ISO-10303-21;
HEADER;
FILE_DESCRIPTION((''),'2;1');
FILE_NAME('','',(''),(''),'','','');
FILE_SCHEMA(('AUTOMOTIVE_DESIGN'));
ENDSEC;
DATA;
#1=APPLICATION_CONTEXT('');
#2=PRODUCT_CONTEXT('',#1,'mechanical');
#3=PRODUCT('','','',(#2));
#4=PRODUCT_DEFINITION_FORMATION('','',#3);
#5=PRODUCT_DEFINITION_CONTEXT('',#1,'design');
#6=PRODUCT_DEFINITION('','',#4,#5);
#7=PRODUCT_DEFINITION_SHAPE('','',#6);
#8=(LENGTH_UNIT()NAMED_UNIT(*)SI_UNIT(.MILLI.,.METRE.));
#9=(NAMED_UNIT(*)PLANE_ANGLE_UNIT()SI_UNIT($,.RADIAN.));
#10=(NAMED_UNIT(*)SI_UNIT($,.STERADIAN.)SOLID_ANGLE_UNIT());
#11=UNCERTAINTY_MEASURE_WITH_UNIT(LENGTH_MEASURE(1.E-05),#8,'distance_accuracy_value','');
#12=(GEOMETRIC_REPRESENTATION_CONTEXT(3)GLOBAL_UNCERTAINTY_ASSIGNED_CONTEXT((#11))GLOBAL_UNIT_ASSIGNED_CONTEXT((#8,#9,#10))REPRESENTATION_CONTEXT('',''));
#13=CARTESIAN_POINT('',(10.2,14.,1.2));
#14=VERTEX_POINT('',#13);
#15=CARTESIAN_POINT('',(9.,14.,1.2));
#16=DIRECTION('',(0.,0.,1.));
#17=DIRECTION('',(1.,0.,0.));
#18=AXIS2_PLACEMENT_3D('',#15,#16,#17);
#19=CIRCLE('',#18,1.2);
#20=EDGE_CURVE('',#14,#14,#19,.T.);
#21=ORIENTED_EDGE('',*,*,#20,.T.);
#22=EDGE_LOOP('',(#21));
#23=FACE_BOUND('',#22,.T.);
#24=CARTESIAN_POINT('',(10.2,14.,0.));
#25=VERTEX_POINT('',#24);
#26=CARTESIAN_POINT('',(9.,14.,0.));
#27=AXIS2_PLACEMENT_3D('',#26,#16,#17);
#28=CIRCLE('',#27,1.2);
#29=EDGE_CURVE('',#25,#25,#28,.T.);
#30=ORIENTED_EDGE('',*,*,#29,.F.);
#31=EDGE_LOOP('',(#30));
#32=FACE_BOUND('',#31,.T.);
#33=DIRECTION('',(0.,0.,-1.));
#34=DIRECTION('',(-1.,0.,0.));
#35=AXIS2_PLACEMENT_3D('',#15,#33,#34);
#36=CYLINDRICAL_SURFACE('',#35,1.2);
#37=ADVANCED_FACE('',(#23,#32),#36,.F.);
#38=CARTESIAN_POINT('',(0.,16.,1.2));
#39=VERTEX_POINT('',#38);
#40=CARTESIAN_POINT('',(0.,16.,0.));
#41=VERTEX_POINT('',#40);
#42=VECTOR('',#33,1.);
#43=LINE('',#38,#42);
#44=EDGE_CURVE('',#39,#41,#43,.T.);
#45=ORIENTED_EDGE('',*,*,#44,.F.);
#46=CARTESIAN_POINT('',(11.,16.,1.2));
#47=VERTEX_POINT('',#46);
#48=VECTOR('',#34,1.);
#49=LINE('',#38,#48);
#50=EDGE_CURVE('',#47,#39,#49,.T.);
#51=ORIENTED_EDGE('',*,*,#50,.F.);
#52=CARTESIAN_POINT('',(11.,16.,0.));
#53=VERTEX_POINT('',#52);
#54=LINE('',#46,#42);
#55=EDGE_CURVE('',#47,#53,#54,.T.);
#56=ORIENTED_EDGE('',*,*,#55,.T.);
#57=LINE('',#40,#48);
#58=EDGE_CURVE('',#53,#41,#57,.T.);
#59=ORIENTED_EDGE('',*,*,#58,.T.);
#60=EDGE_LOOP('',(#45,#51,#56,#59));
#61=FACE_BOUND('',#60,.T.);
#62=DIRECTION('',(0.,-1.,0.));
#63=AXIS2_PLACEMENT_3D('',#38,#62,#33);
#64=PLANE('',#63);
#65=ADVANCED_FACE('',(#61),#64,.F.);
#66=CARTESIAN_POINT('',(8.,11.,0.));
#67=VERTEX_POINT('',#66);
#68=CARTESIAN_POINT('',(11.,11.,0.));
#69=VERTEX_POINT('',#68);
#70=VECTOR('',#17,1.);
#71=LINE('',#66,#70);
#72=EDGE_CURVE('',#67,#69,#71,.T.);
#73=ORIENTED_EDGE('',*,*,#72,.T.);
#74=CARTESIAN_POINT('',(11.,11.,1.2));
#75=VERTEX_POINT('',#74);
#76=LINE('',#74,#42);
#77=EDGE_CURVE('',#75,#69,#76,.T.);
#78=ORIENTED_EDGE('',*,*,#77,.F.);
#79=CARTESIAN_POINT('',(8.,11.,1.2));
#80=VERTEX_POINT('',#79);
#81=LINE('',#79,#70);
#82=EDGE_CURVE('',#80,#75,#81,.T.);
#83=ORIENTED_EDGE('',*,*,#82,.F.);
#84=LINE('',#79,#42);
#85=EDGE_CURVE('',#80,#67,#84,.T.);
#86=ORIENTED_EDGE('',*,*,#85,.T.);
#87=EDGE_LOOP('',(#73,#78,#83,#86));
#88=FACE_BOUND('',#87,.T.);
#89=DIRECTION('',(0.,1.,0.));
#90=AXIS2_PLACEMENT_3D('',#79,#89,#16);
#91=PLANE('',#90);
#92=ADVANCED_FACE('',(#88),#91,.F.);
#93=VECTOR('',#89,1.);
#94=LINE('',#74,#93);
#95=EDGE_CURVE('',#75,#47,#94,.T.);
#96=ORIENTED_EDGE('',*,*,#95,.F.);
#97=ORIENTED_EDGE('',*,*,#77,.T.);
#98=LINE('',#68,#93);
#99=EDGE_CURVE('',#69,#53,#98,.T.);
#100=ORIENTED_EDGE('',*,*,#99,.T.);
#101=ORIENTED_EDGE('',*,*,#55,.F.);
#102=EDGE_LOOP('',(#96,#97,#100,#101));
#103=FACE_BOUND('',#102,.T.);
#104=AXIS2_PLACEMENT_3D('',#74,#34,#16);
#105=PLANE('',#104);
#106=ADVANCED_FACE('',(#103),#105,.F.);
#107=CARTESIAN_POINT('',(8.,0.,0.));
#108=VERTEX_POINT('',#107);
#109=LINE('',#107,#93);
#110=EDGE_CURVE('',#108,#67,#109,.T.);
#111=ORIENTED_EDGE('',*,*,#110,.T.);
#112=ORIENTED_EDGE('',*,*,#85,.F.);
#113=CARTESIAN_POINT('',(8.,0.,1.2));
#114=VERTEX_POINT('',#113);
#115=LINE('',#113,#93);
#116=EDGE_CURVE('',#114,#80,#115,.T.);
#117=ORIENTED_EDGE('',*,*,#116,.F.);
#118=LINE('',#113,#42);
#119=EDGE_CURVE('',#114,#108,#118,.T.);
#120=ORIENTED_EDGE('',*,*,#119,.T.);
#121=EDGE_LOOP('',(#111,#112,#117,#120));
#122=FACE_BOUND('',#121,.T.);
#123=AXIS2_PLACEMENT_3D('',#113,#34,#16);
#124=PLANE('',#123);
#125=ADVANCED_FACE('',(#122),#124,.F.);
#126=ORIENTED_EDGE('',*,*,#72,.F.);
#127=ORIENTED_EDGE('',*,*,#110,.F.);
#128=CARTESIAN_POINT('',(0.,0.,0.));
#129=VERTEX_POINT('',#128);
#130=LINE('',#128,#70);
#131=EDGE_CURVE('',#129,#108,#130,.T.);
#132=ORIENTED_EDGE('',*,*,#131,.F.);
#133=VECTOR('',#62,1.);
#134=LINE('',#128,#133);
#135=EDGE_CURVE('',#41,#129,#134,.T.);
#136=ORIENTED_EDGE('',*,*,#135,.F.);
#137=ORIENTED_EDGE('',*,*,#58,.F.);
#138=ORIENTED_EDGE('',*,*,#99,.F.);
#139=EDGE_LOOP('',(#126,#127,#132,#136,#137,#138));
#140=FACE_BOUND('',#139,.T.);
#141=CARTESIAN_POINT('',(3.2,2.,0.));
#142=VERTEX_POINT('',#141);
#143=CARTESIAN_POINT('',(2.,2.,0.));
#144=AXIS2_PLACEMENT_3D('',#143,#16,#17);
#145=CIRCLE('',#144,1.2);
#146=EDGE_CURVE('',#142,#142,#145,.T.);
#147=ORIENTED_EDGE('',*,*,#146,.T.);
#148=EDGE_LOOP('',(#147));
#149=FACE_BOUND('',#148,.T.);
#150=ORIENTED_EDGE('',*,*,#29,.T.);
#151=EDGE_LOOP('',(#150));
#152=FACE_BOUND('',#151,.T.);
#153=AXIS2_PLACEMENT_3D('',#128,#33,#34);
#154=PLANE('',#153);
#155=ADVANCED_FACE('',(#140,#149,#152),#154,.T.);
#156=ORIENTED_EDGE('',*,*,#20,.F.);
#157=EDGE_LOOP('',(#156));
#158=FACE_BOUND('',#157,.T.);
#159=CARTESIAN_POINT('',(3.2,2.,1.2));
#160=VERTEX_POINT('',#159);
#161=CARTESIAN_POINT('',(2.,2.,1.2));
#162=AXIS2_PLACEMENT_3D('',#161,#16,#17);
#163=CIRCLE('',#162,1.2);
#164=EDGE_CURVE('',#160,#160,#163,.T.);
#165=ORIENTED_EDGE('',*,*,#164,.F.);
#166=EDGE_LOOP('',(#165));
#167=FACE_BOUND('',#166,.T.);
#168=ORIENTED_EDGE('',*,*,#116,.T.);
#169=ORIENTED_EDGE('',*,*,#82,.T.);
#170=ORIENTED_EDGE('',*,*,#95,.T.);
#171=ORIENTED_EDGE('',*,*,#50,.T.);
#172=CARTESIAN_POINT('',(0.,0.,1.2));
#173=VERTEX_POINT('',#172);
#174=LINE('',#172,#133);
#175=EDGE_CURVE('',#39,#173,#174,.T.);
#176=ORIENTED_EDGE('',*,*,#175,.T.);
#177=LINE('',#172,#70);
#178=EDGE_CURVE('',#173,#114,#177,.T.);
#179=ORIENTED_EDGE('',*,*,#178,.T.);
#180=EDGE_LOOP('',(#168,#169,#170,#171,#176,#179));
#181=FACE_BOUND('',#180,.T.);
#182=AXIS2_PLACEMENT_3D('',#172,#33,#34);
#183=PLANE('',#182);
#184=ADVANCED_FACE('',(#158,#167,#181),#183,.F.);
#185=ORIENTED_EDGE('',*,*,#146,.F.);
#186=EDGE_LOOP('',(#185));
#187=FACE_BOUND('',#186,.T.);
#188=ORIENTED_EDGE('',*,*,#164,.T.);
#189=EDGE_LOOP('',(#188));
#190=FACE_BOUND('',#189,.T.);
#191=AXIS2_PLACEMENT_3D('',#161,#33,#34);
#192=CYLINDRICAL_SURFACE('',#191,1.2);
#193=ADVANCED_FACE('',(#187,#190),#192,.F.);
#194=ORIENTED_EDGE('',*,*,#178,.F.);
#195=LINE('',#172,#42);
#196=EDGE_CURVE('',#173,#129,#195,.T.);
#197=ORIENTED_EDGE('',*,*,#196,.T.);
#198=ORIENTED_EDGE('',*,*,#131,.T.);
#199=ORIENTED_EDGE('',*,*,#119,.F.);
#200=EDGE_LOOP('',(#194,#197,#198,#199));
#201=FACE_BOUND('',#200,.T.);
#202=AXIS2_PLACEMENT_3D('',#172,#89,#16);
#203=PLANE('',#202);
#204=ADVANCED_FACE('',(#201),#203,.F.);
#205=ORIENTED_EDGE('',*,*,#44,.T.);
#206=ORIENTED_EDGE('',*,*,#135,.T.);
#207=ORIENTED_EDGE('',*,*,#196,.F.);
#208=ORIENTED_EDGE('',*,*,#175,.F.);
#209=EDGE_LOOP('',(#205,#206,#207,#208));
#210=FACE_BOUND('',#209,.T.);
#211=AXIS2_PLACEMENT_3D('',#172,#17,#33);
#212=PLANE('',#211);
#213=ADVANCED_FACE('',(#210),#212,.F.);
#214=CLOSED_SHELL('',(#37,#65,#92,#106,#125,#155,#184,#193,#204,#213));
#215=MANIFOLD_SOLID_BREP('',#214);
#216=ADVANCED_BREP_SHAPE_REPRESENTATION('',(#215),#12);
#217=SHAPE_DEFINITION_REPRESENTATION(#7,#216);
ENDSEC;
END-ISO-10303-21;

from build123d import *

# Parameters (mm, degrees)
SKETCH1_R           = 1.2
BOSS_EXTRUDE1_DEPTH = 1.2


with BuildPart() as part:
    # Sketch1 → Boss-Extrude1 (new body)
    with BuildSketch(Plane.XY):
        Polygon((8, 0), (8, 11), (11, 11), (11, 16), (0, 16), (0, 0), align=None)
        with Locations((9, 14)):
            Circle(SKETCH1_R, mode=Mode.SUBTRACT)
        with Locations((2, 2)):
            Circle(SKETCH1_R, mode=Mode.SUBTRACT)
    extrude(amount=BOSS_EXTRUDE1_DEPTH)


solid = part.part
